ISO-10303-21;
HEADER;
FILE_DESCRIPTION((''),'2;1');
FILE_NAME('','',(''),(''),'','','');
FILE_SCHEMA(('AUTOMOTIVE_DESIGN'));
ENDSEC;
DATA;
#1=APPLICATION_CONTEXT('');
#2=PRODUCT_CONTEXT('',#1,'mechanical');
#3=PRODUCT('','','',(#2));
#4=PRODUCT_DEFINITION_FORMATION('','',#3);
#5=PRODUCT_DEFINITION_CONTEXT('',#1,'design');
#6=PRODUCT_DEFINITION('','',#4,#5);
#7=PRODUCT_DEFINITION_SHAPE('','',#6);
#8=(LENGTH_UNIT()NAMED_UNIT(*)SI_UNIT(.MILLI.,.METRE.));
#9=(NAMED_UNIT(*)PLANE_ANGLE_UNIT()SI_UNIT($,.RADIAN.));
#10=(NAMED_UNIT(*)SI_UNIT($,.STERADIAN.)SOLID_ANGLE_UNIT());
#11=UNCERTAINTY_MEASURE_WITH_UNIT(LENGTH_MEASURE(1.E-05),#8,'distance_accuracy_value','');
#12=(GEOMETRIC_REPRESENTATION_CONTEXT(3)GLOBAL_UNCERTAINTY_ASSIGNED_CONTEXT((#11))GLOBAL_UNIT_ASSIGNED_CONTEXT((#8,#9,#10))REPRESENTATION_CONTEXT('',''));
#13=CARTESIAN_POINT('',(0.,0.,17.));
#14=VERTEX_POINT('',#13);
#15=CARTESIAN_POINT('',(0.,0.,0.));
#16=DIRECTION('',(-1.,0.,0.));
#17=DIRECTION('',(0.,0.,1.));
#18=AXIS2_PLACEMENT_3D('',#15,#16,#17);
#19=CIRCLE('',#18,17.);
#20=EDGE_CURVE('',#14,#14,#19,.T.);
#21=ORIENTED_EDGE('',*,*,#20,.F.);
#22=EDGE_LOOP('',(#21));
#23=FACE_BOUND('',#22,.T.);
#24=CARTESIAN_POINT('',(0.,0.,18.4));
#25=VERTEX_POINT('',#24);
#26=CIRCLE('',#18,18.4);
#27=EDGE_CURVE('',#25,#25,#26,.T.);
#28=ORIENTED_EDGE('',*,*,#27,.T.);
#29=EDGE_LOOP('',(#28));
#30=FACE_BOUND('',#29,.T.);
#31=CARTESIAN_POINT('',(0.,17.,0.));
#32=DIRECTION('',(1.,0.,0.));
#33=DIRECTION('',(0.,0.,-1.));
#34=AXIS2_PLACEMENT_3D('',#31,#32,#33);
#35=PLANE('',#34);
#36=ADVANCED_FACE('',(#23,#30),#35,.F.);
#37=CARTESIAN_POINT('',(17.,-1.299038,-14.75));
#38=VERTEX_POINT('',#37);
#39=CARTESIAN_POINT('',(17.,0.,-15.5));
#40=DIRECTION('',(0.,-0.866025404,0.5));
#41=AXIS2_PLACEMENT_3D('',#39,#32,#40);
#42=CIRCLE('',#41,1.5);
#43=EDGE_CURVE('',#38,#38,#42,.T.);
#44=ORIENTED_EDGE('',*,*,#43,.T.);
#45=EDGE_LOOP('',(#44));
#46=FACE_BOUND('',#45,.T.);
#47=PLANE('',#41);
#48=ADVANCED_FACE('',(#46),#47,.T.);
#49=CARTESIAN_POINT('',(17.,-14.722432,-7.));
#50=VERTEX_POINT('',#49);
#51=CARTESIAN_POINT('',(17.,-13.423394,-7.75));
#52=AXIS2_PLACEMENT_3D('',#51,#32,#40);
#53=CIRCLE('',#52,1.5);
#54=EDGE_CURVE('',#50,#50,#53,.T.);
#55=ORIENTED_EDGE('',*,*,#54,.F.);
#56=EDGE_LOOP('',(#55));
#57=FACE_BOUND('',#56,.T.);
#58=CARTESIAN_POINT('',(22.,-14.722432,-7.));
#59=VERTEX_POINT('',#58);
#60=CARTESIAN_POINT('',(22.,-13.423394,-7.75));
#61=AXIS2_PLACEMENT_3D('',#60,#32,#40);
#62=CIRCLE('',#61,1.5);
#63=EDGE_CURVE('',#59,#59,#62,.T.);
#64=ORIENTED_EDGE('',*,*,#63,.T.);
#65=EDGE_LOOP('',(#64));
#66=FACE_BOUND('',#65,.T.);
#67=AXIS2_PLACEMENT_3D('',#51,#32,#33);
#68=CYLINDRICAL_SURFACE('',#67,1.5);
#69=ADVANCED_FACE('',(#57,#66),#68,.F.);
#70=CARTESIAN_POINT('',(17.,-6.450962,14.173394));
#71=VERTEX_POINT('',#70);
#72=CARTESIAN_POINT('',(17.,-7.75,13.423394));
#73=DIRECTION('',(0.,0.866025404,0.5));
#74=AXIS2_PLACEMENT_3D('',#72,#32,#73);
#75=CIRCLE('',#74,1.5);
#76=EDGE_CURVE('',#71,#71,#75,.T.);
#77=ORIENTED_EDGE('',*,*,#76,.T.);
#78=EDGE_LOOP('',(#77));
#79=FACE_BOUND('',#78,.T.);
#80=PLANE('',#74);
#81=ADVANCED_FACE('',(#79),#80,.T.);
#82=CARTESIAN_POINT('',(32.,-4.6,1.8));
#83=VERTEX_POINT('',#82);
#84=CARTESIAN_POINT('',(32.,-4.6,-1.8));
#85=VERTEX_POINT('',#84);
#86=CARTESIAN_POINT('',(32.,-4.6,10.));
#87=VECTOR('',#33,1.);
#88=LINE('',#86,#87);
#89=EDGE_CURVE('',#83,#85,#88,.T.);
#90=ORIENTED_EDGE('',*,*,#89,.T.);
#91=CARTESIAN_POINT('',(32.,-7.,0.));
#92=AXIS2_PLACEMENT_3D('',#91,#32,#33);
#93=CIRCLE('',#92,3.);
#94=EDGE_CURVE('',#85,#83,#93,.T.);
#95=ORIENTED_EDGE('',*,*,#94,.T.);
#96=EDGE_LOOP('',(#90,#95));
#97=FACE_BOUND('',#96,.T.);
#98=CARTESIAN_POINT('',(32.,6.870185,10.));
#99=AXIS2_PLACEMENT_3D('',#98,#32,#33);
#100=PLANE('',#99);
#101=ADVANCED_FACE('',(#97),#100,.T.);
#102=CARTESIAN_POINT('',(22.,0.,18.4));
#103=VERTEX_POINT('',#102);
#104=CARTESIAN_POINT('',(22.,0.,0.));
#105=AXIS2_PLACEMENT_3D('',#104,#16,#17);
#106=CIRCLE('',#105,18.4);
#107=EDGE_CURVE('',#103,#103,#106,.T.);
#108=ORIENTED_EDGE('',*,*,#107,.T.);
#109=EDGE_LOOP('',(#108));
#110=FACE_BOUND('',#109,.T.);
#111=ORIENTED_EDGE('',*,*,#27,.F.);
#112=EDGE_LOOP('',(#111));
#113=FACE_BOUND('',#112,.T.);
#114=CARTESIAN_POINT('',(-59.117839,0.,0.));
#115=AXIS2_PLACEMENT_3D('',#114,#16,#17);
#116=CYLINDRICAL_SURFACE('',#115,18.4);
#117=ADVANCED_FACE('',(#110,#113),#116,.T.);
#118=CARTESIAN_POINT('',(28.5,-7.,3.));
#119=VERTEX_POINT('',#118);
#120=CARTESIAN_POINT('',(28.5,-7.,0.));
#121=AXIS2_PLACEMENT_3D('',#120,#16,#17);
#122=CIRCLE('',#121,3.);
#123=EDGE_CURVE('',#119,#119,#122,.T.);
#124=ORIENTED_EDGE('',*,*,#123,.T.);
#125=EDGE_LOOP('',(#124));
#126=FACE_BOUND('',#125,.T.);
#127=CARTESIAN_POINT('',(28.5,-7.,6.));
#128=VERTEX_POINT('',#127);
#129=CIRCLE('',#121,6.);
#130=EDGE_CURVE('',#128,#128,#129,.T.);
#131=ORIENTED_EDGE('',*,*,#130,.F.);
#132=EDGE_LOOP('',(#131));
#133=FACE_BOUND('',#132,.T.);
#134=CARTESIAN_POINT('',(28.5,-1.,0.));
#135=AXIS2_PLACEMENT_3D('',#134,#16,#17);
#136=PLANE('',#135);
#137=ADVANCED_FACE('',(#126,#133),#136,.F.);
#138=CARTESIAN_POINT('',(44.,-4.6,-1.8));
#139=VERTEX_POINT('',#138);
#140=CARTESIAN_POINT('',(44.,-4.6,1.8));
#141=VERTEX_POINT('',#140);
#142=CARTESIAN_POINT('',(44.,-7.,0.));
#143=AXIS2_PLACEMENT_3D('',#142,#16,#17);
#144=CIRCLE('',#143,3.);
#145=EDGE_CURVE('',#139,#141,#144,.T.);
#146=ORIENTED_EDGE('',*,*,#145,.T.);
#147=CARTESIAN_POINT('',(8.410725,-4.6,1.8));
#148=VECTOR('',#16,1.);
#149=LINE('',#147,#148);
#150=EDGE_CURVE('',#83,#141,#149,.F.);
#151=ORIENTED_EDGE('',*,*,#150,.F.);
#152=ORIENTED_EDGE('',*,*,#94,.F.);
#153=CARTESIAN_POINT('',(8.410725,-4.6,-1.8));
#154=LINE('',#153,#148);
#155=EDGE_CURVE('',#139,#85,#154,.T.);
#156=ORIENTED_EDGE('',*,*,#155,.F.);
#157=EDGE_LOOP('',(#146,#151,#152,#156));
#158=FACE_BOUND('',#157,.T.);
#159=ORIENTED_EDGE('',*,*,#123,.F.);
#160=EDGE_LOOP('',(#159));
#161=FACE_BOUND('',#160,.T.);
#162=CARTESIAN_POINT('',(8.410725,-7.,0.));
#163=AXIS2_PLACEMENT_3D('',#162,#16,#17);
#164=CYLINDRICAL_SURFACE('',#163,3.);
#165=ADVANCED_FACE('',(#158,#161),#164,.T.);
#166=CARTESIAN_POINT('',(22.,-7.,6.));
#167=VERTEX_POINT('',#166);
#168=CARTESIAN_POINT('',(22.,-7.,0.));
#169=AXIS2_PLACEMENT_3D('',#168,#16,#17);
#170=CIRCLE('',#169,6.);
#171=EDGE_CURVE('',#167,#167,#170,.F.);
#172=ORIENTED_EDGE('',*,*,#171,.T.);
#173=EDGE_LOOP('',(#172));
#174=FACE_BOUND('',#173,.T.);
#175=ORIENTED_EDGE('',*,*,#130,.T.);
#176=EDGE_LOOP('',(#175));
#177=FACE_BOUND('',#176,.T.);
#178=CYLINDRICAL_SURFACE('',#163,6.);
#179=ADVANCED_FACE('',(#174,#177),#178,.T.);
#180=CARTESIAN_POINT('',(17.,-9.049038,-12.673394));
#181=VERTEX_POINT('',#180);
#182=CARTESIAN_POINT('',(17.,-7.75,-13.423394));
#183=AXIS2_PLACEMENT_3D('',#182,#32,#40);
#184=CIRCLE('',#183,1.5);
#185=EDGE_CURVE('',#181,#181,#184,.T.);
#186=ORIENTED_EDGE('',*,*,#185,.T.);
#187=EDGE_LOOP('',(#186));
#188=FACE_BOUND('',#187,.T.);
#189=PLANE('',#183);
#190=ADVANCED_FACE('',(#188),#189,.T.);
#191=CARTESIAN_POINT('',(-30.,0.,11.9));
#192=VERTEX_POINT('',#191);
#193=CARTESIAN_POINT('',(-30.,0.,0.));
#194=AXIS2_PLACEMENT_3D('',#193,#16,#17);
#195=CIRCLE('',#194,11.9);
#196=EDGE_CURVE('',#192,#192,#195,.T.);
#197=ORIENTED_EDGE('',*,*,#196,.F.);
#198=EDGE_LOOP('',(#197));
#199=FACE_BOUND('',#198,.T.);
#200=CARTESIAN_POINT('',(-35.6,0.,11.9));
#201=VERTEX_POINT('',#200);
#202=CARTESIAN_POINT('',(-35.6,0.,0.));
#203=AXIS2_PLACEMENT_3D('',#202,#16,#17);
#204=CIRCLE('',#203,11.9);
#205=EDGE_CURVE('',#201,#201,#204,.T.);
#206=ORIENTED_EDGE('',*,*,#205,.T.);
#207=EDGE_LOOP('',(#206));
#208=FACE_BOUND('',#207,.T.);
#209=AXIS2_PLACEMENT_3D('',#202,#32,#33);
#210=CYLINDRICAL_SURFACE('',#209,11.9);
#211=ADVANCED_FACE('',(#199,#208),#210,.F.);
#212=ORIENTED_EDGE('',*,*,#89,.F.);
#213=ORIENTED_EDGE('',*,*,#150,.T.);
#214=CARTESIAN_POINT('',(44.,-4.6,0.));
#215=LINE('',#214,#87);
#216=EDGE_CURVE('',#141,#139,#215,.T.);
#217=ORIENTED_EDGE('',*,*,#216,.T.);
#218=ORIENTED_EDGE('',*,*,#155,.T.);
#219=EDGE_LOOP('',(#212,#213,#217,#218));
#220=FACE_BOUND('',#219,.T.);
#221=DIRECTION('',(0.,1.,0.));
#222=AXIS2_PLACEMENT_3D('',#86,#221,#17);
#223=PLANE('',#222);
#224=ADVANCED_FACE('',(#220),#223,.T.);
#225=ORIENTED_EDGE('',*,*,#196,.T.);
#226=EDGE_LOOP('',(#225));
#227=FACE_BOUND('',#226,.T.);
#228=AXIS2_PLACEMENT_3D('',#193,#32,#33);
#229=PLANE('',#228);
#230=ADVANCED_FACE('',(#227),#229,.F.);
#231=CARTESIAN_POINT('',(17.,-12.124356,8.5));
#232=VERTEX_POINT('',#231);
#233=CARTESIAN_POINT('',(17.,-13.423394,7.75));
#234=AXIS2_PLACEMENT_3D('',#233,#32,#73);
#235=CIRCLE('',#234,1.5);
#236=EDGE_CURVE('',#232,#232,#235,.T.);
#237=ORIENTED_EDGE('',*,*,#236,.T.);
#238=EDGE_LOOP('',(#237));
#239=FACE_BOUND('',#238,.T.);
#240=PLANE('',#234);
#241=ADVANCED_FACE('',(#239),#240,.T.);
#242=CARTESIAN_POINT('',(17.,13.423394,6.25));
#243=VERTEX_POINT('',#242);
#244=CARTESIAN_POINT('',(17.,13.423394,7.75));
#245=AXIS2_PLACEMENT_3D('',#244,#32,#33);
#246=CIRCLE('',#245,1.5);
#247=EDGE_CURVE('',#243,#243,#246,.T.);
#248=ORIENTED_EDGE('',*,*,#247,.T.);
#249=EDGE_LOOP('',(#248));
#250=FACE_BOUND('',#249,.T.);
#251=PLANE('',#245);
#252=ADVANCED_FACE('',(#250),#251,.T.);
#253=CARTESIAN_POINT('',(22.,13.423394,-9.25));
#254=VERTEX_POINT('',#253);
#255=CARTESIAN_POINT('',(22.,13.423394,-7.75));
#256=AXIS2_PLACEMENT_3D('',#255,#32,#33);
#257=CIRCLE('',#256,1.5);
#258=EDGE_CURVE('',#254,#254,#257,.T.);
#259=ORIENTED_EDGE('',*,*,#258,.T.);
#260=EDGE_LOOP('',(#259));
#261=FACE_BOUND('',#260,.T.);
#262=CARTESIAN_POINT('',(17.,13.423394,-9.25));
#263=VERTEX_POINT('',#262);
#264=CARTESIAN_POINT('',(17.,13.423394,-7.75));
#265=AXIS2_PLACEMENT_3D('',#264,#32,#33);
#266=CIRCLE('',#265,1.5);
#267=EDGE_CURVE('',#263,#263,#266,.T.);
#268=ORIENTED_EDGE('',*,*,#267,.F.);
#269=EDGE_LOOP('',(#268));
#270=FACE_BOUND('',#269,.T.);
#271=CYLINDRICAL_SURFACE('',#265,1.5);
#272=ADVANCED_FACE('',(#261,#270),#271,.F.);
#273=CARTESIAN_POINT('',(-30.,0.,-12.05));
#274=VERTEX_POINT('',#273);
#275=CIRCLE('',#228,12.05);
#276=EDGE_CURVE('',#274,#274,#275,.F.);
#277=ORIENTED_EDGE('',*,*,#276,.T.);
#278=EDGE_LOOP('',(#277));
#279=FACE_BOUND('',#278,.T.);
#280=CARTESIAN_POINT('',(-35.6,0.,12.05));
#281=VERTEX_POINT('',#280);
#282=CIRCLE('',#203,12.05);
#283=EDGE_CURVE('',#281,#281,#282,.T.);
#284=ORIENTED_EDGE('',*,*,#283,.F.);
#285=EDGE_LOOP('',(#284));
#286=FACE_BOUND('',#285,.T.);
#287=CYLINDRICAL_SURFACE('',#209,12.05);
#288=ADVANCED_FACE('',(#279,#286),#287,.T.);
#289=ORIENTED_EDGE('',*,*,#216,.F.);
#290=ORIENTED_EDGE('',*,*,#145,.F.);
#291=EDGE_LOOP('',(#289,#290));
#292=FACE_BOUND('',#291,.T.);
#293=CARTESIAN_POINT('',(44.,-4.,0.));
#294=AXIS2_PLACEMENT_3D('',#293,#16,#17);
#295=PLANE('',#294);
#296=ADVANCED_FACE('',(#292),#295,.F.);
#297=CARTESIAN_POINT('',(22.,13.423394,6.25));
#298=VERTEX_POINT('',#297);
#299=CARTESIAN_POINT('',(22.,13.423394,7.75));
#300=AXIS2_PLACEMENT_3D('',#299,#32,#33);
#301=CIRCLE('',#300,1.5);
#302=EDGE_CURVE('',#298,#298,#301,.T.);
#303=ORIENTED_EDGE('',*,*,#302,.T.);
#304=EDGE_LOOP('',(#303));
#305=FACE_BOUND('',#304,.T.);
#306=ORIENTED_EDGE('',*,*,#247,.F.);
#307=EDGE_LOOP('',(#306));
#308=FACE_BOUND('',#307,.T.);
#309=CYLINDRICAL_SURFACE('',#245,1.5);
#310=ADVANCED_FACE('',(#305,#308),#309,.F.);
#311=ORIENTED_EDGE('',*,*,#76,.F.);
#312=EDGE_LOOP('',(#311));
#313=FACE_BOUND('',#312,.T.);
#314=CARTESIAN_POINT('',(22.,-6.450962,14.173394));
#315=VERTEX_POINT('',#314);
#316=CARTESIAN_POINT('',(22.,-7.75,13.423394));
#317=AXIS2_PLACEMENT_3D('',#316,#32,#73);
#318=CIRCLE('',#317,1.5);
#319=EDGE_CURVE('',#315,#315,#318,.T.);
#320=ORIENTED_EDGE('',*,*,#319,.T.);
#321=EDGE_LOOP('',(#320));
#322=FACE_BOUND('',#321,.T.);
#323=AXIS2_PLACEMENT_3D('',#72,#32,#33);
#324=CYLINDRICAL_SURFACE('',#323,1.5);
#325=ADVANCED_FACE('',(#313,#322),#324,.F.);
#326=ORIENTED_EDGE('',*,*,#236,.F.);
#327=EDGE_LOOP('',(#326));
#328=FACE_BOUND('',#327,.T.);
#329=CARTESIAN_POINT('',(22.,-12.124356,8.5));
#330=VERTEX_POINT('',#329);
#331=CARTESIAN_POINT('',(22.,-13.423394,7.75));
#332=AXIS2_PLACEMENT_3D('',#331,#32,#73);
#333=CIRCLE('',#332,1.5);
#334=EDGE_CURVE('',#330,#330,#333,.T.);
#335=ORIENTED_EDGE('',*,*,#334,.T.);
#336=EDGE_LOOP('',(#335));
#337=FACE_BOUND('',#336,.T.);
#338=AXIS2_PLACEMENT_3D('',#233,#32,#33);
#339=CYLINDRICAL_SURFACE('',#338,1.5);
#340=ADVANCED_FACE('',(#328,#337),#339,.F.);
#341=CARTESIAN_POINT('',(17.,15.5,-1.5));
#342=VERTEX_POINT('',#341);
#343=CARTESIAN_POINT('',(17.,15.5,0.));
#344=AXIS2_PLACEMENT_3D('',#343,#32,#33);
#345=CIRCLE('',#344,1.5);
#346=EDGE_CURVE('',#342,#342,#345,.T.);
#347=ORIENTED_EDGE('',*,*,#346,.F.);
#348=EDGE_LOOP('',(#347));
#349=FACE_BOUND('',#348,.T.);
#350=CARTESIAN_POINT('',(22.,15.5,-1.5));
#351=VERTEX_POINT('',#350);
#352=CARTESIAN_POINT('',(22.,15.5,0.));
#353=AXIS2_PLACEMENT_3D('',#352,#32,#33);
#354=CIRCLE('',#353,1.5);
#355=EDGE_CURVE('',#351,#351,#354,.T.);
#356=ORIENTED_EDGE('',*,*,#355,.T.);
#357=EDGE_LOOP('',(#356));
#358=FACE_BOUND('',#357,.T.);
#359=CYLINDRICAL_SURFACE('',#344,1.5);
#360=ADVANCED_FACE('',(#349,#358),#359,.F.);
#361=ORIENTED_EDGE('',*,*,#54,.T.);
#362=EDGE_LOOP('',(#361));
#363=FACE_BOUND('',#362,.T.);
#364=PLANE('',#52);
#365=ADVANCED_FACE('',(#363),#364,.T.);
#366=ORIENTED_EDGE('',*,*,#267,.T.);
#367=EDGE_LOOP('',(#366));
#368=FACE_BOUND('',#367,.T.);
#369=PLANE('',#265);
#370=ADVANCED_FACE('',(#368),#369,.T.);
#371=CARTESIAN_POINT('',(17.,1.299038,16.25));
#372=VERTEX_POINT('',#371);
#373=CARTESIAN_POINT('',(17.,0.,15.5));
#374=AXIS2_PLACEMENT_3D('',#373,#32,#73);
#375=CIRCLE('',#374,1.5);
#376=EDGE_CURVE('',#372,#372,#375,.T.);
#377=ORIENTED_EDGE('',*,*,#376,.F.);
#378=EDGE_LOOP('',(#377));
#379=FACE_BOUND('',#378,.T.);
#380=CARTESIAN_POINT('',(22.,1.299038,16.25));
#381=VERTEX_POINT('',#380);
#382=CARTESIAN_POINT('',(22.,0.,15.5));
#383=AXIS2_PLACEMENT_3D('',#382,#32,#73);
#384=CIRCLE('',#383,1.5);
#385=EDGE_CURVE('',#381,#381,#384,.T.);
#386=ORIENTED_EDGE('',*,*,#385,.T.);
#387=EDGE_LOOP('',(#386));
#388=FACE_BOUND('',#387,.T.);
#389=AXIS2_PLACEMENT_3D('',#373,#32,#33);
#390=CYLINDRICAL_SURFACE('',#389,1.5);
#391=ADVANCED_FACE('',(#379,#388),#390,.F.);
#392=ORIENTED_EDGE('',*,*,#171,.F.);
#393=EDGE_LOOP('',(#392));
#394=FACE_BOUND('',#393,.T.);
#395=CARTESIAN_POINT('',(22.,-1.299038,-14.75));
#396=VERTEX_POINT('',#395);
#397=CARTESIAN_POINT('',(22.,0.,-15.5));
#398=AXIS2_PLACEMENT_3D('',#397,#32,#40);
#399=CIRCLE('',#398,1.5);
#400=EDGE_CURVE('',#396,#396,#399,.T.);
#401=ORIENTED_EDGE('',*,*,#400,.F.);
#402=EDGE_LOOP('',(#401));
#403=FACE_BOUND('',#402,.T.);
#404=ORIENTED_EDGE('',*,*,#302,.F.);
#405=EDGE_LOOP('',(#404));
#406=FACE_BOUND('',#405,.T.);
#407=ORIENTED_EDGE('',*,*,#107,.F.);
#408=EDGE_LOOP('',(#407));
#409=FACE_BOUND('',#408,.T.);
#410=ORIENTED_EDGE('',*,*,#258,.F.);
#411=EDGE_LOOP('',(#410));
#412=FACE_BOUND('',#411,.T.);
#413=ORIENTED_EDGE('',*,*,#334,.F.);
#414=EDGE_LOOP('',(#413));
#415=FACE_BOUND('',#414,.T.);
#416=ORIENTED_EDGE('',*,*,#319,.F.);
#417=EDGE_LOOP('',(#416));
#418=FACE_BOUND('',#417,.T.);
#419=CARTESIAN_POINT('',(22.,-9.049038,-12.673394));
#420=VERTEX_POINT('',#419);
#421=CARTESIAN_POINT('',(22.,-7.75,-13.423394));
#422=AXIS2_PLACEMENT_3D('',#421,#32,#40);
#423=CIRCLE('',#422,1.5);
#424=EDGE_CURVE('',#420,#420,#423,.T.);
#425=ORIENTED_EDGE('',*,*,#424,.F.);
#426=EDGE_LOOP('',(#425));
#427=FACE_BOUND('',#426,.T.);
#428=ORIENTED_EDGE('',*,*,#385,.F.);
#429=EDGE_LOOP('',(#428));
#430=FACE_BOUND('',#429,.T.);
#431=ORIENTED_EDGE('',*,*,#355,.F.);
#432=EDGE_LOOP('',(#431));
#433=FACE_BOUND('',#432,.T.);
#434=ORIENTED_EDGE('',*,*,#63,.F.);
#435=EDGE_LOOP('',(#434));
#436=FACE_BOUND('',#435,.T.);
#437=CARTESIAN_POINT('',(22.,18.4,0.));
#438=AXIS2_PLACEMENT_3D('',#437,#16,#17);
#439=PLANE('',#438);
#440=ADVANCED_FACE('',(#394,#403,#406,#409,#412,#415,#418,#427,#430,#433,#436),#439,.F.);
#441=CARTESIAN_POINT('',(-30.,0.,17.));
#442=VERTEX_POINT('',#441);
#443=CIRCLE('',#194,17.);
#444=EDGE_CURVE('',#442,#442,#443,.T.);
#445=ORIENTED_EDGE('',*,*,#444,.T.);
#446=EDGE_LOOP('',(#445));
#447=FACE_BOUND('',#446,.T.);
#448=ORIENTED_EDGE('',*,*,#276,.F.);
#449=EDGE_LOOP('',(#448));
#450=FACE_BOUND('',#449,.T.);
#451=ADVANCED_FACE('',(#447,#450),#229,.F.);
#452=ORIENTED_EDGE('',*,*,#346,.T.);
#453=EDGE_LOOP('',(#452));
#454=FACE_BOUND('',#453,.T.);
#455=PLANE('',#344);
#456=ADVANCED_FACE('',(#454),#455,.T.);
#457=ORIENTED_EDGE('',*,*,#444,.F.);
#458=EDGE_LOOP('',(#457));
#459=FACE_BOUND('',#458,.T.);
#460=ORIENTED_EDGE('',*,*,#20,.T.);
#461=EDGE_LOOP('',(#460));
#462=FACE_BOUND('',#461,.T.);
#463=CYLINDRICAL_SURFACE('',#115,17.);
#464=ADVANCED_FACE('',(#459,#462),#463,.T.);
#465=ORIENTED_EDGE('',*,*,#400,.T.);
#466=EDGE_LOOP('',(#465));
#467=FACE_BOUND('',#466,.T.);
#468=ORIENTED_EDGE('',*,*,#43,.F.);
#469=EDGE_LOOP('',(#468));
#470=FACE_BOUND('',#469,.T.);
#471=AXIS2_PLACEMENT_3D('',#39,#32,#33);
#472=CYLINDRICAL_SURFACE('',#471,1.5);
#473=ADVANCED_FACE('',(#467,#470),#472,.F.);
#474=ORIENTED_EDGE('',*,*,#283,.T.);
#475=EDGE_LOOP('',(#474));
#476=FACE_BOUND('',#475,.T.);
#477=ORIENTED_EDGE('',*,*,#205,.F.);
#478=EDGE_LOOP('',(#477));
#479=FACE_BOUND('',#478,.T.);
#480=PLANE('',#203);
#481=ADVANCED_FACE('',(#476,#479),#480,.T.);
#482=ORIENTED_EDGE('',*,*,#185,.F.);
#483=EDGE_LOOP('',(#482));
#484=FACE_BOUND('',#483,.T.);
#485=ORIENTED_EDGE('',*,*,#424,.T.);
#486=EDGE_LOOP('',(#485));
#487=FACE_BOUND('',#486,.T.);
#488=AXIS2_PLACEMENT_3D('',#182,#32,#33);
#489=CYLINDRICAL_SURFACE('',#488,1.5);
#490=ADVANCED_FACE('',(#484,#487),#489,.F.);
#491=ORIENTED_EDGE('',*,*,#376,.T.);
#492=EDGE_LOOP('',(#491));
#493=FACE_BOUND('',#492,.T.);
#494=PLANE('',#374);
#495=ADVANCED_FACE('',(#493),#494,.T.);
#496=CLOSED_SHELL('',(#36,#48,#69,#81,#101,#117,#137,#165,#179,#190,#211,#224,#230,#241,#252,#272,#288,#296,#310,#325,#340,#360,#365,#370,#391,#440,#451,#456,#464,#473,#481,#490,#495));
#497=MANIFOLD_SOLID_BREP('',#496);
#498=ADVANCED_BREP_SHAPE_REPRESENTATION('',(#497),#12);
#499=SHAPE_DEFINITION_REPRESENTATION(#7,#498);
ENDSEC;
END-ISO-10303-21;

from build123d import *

# Parameters (mm, degrees)
ENL_V_MAT_EXTRU_1_DEPTH      = 10
ENL_V_MAT_EXTRU_1_DEPTH_BACK = 10
ESQUISSE4_W                  = 18.656759262
ESQUISSE4_H                  = 11.470185
ESQUISSE5_R                  = 12.05
ESQUISSE5_R_2                = 11.9
BOSS_EXTRU_1_DEPTH           = 5.6
ESQUISSE6_R                  = 1.5
ENL_V_MAT_EXTRU_2_DEPTH      = 5
R_P_TITION_CIRCULAIRE1_COUNT = 3


with BuildPart() as part:
    # Esquisse1 → Révolution1 (revolve)
    with BuildSketch(Plane.XY):
        Polygon((-30, 0), (-30, 17), (0, 17), (0, 18.4), (22, 18.4), (22, 0), align=None)
    revolve(axis=Axis((-59.117838542, 0, 0), (1, 0, 0)))

    # Esquisse3 → Révolution2 (revolve)
    with BuildSketch(Plane.XY):
        Polygon((22, -1), (28.5, -1), (28.5, -4), (44, -4), (44, -7), (22, -7), align=None)
    revolve(axis=Axis((8.410725031, -7, 0), (1, 0, 0)))

    # Esquisse4 → Enlèv. mat.-Extru.1 (cut, two sides: drawn at the far end of the back side and taken through both)
    with BuildSketch(Plane.XY.offset(-ENL_V_MAT_EXTRU_1_DEPTH_BACK)):
        with Locations((41.328379631, 1.1350925)):
            Rectangle(ESQUISSE4_W, ESQUISSE4_H)
    extrude(amount=ENL_V_MAT_EXTRU_1_DEPTH + ENL_V_MAT_EXTRU_1_DEPTH_BACK, mode=Mode.SUBTRACT)

    # Esquisse5 → Boss.-Extru.1 (add)
    with BuildSketch(Plane.ZY.offset(30)):
        Circle(ESQUISSE5_R)
        Circle(ESQUISSE5_R_2, mode=Mode.SUBTRACT)
    extrude(amount=BOSS_EXTRU_1_DEPTH)

    # Esquisse6 → Enlèv. mat.-Extru.2 (cut)
    with BuildSketch(Plane(origin=(22, 0, 0), x_dir=(0, 0, -1), z_dir=(1, 0, 0))):
        with Locations((0, 15.5)):
            Circle(ESQUISSE6_R)
        with Locations((7.75, 13.423393759)):
            Circle(ESQUISSE6_R)
        with Locations((-7.75, 13.423393759)):
            Circle(ESQUISSE6_R)
    enl_v_mat_extru_2 = extrude(amount=-ENL_V_MAT_EXTRU_2_DEPTH, mode=Mode.SUBTRACT)

    # Répétition circulaire1: Enlèv. mat.-Extru.2 ×3 about axis
    r_p_tition_circulaire1_axis = Axis((22, 0, 0), (-1, 0, 0))
    for i in range(1, R_P_TITION_CIRCULAIRE1_COUNT):
        add(enl_v_mat_extru_2.rotate(r_p_tition_circulaire1_axis, i * 360 / R_P_TITION_CIRCULAIRE1_COUNT), mode=Mode.SUBTRACT)


solid = part.part
